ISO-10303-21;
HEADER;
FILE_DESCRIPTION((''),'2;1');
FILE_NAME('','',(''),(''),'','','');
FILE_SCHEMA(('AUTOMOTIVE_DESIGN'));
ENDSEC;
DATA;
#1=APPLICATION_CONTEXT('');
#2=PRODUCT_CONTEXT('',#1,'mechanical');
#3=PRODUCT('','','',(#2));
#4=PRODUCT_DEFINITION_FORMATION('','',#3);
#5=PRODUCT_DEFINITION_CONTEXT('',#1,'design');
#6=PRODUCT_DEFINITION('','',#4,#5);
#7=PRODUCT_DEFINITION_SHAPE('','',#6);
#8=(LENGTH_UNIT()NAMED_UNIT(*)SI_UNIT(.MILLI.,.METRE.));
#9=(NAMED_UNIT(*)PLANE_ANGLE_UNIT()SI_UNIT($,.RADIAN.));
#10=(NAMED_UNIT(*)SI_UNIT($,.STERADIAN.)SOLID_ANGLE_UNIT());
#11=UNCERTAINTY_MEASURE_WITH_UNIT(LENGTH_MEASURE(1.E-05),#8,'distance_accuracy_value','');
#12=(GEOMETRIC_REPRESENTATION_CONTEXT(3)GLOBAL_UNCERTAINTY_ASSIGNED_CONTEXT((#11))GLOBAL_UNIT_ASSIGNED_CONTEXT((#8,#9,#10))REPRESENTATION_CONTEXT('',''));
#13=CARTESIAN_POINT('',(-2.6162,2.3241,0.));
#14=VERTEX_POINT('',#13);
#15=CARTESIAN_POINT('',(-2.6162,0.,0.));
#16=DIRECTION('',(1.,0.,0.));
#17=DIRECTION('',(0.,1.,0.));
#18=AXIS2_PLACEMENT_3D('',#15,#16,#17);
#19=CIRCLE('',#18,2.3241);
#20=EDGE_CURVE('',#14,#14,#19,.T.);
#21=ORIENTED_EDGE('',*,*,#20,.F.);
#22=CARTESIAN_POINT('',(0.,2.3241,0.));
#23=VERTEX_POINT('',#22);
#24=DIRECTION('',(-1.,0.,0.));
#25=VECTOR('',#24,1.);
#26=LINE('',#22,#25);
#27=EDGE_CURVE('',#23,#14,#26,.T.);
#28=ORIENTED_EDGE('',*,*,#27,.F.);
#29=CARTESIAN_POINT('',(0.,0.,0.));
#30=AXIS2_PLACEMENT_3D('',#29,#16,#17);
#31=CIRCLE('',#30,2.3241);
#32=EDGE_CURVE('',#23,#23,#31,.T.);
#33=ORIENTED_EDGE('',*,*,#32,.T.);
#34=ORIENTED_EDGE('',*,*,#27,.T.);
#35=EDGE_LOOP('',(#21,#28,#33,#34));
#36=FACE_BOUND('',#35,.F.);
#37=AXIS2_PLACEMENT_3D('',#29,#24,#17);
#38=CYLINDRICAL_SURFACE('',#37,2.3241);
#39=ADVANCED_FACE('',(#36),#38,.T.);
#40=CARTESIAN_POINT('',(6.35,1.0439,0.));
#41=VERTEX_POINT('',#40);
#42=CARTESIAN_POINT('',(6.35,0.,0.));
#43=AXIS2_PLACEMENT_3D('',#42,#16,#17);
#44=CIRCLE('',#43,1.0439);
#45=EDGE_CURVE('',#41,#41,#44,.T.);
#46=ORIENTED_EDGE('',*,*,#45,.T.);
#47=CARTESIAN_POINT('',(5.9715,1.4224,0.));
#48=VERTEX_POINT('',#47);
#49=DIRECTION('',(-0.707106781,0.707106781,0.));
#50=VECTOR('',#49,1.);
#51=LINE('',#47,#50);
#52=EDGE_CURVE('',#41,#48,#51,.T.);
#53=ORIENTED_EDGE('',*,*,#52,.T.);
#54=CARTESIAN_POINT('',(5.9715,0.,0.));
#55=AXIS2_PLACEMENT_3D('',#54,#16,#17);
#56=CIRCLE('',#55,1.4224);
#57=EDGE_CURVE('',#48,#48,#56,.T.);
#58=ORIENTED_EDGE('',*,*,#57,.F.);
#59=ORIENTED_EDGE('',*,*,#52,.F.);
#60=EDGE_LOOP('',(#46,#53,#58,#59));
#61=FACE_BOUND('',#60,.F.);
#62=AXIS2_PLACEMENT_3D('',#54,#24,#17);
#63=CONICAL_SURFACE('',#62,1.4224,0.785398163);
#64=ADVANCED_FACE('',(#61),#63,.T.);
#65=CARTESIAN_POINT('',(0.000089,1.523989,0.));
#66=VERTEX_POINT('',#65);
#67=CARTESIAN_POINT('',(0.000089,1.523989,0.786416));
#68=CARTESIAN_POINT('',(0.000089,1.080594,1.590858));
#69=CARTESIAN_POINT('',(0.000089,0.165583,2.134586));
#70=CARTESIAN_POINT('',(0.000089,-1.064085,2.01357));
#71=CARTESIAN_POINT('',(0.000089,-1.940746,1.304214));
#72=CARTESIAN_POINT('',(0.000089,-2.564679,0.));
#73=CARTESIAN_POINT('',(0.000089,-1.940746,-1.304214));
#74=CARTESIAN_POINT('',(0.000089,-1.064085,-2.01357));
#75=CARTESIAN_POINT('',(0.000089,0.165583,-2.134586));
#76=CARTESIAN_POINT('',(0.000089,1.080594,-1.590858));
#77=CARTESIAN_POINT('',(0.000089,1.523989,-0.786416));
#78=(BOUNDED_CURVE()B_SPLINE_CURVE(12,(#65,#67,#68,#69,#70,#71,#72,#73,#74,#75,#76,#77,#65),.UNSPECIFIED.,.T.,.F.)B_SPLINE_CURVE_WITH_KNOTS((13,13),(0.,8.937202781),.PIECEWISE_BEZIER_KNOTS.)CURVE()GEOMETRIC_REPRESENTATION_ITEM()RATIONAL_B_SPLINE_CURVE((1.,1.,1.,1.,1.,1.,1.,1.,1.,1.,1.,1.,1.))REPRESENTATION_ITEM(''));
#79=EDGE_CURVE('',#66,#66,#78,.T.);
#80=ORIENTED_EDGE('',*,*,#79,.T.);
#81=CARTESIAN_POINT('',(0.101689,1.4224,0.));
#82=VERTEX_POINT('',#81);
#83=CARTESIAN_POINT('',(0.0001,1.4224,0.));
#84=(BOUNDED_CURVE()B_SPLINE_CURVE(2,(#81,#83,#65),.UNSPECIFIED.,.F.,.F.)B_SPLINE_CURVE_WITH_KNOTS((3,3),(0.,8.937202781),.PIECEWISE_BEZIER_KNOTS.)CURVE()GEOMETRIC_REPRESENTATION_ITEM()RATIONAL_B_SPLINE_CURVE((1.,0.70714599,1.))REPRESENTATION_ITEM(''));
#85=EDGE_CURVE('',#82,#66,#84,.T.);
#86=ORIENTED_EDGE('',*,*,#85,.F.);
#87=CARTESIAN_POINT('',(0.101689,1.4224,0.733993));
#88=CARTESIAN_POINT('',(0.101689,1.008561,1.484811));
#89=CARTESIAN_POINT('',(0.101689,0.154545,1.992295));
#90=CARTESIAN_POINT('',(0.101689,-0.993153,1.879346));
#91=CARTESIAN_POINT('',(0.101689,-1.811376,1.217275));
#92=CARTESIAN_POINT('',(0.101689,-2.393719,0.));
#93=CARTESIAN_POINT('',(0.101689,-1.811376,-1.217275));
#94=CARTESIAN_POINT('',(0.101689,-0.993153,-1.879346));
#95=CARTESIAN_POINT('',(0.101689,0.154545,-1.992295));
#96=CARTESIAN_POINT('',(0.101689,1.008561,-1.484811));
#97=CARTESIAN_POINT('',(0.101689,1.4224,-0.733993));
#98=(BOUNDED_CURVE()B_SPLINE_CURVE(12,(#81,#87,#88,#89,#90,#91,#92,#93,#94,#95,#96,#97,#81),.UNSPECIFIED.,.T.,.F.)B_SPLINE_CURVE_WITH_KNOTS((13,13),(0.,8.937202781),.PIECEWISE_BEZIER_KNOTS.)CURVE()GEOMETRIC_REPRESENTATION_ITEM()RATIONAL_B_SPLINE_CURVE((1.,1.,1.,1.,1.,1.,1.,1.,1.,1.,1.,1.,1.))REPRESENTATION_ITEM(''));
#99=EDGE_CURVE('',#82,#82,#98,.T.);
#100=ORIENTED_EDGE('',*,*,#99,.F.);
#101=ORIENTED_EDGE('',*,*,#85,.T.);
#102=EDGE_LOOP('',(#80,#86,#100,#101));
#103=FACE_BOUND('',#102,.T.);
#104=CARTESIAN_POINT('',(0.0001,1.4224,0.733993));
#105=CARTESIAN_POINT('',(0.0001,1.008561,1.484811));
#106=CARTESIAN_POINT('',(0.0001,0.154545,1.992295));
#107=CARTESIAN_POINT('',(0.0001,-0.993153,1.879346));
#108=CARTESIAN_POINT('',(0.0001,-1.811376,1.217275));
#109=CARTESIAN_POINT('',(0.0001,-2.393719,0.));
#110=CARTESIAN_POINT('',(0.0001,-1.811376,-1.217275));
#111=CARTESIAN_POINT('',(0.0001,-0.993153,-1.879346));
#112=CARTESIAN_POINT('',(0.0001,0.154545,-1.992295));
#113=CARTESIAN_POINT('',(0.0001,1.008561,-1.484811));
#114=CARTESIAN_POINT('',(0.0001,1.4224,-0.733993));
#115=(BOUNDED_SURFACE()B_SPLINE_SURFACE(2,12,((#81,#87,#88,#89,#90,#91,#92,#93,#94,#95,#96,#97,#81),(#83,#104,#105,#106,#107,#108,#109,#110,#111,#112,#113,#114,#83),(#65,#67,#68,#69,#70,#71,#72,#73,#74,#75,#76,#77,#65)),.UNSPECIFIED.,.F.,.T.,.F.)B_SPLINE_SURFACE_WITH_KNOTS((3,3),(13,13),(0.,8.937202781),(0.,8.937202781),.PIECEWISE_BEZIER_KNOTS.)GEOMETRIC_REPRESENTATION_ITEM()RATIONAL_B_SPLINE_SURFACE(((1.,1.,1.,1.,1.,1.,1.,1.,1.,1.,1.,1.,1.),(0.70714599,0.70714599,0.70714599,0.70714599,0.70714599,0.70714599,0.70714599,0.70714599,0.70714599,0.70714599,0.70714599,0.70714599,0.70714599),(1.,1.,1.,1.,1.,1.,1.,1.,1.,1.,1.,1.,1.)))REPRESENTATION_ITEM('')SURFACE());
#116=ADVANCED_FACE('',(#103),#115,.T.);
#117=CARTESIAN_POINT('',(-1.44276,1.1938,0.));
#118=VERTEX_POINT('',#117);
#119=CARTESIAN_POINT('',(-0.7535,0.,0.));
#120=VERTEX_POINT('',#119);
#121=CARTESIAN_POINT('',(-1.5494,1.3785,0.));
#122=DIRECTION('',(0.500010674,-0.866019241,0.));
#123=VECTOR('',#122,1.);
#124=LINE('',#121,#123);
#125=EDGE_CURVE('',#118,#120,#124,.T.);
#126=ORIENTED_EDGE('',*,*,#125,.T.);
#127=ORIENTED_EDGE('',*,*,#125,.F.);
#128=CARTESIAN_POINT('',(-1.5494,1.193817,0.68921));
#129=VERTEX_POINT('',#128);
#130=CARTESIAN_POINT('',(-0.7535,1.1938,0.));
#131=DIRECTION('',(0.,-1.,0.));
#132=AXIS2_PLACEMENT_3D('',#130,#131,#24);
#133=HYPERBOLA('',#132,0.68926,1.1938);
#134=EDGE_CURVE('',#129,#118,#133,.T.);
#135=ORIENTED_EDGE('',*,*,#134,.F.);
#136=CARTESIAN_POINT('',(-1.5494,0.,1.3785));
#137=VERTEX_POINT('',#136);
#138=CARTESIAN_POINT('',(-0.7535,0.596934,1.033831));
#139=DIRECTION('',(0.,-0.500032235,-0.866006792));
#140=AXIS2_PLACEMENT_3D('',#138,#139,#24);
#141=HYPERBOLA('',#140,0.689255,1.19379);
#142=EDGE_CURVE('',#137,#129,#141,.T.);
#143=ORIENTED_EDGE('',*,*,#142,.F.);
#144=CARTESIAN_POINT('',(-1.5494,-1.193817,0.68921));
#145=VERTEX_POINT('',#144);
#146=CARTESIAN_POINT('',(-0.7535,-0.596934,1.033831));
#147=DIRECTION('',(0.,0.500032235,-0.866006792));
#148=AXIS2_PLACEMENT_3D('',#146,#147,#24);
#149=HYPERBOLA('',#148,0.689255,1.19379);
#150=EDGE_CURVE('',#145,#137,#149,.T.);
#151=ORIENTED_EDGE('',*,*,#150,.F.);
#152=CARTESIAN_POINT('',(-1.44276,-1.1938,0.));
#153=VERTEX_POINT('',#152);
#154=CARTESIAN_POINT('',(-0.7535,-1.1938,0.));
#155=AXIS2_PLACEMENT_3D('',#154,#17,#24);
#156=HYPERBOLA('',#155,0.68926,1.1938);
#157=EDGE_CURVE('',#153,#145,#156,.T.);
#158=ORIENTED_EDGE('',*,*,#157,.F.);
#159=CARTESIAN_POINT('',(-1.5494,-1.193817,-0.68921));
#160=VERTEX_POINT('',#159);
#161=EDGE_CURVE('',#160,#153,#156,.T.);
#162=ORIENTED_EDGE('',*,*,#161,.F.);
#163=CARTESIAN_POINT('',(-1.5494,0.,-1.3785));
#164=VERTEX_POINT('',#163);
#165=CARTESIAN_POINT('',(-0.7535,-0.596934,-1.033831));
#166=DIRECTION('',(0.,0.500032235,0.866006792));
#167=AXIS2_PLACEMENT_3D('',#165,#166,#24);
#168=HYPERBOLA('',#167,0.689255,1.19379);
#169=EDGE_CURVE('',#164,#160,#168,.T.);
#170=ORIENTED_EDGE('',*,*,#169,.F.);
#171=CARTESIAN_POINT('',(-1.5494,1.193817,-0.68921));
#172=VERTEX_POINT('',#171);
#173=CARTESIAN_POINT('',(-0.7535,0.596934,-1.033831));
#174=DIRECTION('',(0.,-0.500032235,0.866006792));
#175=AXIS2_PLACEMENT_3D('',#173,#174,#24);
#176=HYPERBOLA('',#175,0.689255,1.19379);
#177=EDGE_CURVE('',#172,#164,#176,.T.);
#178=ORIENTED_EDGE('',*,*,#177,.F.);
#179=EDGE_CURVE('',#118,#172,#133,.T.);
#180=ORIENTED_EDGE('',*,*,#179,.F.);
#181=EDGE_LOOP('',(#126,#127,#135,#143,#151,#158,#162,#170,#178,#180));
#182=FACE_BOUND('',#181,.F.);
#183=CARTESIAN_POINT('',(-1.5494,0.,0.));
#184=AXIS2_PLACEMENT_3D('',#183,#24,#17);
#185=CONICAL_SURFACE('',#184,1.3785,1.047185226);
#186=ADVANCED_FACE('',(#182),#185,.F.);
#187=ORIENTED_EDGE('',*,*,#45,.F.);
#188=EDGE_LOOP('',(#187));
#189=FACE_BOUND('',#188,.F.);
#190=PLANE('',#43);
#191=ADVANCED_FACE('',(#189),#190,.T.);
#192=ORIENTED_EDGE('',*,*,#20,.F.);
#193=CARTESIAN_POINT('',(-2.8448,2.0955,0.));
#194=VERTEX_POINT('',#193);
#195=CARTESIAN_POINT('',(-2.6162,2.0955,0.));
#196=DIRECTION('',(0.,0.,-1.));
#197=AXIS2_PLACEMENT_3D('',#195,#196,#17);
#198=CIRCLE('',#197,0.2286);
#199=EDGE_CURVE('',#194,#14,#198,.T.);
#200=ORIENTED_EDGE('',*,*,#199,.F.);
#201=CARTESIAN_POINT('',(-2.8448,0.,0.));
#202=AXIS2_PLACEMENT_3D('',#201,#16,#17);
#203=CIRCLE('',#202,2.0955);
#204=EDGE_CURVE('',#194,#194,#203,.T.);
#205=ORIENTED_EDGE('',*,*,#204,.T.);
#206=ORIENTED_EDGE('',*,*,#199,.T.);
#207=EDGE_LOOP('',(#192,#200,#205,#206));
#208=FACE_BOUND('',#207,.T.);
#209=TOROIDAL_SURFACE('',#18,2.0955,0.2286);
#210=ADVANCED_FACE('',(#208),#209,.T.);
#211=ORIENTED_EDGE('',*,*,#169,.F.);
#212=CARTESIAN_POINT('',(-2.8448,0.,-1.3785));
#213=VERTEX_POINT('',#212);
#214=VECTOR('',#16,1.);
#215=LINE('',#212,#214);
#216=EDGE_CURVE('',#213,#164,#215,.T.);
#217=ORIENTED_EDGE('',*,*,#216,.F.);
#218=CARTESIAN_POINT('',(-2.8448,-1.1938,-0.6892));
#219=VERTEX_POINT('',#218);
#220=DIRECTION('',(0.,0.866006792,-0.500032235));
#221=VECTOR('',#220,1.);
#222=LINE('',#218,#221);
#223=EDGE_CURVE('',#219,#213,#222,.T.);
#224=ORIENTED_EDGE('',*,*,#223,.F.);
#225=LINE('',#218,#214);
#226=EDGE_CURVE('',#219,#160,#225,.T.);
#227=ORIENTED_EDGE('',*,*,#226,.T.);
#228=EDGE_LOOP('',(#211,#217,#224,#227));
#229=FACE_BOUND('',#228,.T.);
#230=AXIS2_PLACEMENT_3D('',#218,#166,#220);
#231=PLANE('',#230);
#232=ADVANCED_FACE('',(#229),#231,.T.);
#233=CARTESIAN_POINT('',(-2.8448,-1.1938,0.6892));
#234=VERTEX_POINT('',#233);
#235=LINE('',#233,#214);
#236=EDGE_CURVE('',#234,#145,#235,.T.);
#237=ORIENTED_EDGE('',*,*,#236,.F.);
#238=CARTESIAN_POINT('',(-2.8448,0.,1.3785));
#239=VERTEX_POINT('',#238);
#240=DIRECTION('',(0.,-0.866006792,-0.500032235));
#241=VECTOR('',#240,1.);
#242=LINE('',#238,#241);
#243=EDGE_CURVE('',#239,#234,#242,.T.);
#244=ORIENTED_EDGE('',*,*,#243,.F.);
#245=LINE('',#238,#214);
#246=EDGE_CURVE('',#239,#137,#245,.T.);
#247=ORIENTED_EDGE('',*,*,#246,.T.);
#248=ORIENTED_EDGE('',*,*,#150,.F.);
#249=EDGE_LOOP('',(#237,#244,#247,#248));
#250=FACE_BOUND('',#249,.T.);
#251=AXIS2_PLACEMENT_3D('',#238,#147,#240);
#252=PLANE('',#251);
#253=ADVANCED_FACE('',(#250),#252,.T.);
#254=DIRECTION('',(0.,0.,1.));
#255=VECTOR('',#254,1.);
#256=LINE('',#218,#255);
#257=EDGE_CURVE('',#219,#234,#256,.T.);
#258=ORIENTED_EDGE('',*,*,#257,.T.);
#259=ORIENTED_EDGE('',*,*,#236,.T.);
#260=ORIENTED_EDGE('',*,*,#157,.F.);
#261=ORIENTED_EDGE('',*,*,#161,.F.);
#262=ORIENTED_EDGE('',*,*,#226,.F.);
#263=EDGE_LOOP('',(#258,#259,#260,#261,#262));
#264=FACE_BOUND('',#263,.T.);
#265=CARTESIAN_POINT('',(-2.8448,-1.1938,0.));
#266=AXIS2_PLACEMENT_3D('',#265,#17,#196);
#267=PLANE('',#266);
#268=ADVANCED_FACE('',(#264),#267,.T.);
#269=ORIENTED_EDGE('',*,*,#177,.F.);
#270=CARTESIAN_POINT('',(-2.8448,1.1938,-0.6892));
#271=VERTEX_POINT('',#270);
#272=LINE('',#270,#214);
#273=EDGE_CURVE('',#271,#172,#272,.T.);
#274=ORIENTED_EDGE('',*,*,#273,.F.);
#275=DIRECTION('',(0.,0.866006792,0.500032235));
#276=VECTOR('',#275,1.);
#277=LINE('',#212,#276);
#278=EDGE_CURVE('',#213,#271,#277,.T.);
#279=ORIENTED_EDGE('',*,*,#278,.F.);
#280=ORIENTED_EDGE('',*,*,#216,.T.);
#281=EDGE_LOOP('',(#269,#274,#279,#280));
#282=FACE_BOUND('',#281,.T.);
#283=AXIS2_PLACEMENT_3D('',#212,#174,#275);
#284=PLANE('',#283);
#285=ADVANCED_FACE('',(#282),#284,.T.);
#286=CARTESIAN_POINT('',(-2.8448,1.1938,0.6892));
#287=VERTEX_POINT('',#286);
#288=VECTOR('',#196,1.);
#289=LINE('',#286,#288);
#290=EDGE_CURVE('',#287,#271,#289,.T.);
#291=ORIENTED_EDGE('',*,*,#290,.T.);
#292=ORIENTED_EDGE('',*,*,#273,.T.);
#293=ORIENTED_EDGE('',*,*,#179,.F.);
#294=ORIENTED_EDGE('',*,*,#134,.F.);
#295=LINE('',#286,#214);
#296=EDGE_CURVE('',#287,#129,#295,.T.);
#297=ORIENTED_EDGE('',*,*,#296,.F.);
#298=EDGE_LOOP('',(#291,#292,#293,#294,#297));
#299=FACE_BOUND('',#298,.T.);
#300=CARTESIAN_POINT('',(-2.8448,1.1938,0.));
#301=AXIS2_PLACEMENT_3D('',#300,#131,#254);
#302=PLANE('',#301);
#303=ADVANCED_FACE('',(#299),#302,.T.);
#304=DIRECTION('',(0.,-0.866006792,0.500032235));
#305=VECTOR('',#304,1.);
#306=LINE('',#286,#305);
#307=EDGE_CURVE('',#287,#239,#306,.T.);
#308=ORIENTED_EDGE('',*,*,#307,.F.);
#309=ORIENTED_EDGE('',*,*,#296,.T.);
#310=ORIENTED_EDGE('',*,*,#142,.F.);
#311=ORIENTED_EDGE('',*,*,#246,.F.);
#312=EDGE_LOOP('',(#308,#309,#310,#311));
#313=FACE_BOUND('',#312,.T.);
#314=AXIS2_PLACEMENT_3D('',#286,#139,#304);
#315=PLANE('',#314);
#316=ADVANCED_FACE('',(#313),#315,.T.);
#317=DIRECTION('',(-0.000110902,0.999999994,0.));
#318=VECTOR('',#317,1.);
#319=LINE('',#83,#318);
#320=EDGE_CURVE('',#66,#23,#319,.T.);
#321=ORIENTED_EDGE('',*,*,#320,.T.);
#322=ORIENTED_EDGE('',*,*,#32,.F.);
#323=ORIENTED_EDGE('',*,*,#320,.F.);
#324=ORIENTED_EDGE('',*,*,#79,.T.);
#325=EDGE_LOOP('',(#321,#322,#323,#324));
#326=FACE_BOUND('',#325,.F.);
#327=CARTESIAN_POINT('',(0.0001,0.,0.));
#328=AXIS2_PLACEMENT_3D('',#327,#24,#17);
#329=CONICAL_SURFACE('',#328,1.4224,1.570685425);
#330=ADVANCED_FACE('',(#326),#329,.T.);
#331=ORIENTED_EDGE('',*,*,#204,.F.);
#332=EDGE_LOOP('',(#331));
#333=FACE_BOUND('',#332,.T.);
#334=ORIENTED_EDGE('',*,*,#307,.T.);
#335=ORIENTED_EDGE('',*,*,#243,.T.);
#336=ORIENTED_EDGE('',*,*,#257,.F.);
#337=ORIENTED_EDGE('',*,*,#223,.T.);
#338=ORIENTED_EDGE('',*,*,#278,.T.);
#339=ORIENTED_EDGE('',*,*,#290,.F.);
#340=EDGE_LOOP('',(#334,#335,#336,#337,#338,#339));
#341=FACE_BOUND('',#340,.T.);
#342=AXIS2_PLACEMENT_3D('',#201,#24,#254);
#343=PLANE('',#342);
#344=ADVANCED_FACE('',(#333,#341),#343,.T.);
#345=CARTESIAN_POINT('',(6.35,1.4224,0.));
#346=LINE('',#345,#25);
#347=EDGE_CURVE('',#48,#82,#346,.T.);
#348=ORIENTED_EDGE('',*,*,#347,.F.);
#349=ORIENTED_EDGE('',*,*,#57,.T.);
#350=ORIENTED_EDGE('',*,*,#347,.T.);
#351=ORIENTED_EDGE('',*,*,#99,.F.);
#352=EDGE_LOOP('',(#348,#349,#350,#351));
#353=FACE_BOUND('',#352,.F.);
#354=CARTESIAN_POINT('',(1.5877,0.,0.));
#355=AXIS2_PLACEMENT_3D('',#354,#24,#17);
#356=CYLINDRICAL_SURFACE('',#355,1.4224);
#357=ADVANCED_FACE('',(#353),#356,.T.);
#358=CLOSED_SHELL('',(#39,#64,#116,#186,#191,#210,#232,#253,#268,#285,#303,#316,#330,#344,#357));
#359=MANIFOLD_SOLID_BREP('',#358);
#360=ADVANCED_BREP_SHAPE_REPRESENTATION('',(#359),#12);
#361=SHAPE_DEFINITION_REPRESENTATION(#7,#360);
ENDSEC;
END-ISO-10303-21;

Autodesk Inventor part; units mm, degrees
ref_plane "YZ Plane" through (0, 0, 0) normal (1, 0, 0) x (0, 1, 0)
ref_plane "XZ Plane" through (0, 0, 0) normal (0, 1, 0) x (-1, 0, 0)
sketch "Sketch1" plane through (0, 0, 0) normal (0, 0, 1) x (1, 0, 0)
  line L0 (-0.7535, 0) -> (6.35, 0)
  line L1 (6.35, 0) -> (6.35, 1.4224)
  line L2 (6.35, 1.4224) -> (1.5877, 1.4224)
  line L3 (1.5877, 1.4224) -> (0.0001, 1.4224)
  line L4 (0.0001, 1.4224) -> (0, 1.4224)
  line L5 (0, 1.4224) -> (0, 2.3241)
  line L6 (0, 2.3241) -> (-2.8448, 2.3241)
  line L7 (-2.8448, 2.3241) -> (-2.8448, 1.3785)
  line L8 (-2.8448, 1.3785) -> (-1.5494, 1.3785)
  line L9 (-1.5494, 1.3785) -> (-0.7535, 0)
  line L10 (-4.6838, 0) -> (8.189, 0) projected
  line L11 (0, -0.4648) -> (0, 2.7889) projected
  line L12 (1.5877, 1.4224) -> (0, 1.4224) construction
  dimension "d1" = 4.7623
  dimension "d2" = 1.5876
  dimension "d3" = 2.8448
  dimension "d4" = 1.2954
  dimension "d5" = 60
  dimension "d6" = 2.8448
  dimension "d7" = 2.8448
  dimension "d8" = 2.757
  dimension "d9" = 4.6482
  dimension "d26" = 6.35
revolve "Body" add sketch "Sketch1" angle 360 about axis through (-0.7535, 0, 0) along (1, 0, 0)
sketch "Sketch2" plane through (-2.8448, 0, 0) normal (-1, 0, 0) x (0, 0, 1)
  circle A0 centre (0, 0) radius 1.3785 projected
  line L0 (0, -3.2537) -> (0, 3.2537) projected
  line L1 (-3.2537, 0) -> (3.2537, 0) projected
  line L2 (1.3785, 0) -> (0.6892, -1.1938)
  line L3 (0.6892, -1.1938) -> (-0.6892, -1.1938)
  line L4 (-0.6892, -1.1938) -> (-1.3785, 0)
  line L5 (-1.3785, 0) -> (-0.6892, 1.1938)
  line L6 (-0.6892, 1.1938) -> (0.6892, 1.1938)
  line L7 (0.6892, 1.1938) -> (1.3785, 0)
  point P0 (0, 0)
extrude "Slot" add sketch "Sketch2" against normal up to next contours L7 A0 | A0 L2 | L6 L0 A0 | A0 L0 L3 | L0 L6 A0 | A0 L3 L0 | L4 A0 | A0 L5
fillet "Fillet1" radius 0.2286 1 edges at (-2.8448, -2.3241, 0)
thread "Thread" size "4-40 UNC" class "2A" standard "ANSI Unified Screw Threads" length 4.7623
chamfer "Chamfer1" distance 0.3785 distance2 0.3785 1 edges at (6.35, -1.4224, 0) measured on face at (6.35, -0.0627, 0.6443)
ref_plane "Work Plane1" through (29, 0, 0) normal (0, -1, 0) x (1, 0, 0)
fillet "Fillet2" radius 0.1016 1 edges at (0.0001, -1.4224, 0)
equation "\"d1\" = GEL"
equation "\"d3\" = KOH"
equation "\"d4\" = INTI"
equation "\"d6\" = GD"
equation "\"d7\" = BDM"
equation "\"d8\" = 1.1547 * SW"
equation "\"d9\" = KOD"
equation "\"d26\" = NLG"
equation "\"d30\" = R"
equation "\"d17\" = RR"
equation "\"d13\" = GEL"
equation "\"d15\" = -0.5 * SPD + 0.5 * GD"
equation "\"d16\" = GUL"
equation "\"GD\" = 2.8448"
equation "\"NLG\" = 6.35"
equation "\"GEL\" = 4.7623"
equation "\"KOD\" = 4.6482"
equation "\"KOH\" = 2.8448"
equation "\"INTI\" = 1.2954"
equation "\"GAL\" = 1.5875"
equation "\"GUL\" = 0.37846"
equation "\"BDM\" = 2.8448"
equation "\"SW\" = 2.3876"
equation "\"RR\" = 0.2286"
equation "\"SPD\" = 2.08788"
equation "\"R\" = 0.1016"
equation "\"PHH\" = 0.127"
equation "\"GD1\" = SPD"
equation "\"THREADDIA\" = 2.8448"
equation "\"FAWI\" = 45deg"
equation "\"KOH1\" = 2.5654"
equation "\"NND\" = 2.8448"
equation "\"TOA\" = 30deg"
equation "\"E0\" = 1.155 * SW"
properties part number "ANSI B18.3 - No. 4 - 40 UNC - 1/4 HS HCS" material "Steel, Mild"
